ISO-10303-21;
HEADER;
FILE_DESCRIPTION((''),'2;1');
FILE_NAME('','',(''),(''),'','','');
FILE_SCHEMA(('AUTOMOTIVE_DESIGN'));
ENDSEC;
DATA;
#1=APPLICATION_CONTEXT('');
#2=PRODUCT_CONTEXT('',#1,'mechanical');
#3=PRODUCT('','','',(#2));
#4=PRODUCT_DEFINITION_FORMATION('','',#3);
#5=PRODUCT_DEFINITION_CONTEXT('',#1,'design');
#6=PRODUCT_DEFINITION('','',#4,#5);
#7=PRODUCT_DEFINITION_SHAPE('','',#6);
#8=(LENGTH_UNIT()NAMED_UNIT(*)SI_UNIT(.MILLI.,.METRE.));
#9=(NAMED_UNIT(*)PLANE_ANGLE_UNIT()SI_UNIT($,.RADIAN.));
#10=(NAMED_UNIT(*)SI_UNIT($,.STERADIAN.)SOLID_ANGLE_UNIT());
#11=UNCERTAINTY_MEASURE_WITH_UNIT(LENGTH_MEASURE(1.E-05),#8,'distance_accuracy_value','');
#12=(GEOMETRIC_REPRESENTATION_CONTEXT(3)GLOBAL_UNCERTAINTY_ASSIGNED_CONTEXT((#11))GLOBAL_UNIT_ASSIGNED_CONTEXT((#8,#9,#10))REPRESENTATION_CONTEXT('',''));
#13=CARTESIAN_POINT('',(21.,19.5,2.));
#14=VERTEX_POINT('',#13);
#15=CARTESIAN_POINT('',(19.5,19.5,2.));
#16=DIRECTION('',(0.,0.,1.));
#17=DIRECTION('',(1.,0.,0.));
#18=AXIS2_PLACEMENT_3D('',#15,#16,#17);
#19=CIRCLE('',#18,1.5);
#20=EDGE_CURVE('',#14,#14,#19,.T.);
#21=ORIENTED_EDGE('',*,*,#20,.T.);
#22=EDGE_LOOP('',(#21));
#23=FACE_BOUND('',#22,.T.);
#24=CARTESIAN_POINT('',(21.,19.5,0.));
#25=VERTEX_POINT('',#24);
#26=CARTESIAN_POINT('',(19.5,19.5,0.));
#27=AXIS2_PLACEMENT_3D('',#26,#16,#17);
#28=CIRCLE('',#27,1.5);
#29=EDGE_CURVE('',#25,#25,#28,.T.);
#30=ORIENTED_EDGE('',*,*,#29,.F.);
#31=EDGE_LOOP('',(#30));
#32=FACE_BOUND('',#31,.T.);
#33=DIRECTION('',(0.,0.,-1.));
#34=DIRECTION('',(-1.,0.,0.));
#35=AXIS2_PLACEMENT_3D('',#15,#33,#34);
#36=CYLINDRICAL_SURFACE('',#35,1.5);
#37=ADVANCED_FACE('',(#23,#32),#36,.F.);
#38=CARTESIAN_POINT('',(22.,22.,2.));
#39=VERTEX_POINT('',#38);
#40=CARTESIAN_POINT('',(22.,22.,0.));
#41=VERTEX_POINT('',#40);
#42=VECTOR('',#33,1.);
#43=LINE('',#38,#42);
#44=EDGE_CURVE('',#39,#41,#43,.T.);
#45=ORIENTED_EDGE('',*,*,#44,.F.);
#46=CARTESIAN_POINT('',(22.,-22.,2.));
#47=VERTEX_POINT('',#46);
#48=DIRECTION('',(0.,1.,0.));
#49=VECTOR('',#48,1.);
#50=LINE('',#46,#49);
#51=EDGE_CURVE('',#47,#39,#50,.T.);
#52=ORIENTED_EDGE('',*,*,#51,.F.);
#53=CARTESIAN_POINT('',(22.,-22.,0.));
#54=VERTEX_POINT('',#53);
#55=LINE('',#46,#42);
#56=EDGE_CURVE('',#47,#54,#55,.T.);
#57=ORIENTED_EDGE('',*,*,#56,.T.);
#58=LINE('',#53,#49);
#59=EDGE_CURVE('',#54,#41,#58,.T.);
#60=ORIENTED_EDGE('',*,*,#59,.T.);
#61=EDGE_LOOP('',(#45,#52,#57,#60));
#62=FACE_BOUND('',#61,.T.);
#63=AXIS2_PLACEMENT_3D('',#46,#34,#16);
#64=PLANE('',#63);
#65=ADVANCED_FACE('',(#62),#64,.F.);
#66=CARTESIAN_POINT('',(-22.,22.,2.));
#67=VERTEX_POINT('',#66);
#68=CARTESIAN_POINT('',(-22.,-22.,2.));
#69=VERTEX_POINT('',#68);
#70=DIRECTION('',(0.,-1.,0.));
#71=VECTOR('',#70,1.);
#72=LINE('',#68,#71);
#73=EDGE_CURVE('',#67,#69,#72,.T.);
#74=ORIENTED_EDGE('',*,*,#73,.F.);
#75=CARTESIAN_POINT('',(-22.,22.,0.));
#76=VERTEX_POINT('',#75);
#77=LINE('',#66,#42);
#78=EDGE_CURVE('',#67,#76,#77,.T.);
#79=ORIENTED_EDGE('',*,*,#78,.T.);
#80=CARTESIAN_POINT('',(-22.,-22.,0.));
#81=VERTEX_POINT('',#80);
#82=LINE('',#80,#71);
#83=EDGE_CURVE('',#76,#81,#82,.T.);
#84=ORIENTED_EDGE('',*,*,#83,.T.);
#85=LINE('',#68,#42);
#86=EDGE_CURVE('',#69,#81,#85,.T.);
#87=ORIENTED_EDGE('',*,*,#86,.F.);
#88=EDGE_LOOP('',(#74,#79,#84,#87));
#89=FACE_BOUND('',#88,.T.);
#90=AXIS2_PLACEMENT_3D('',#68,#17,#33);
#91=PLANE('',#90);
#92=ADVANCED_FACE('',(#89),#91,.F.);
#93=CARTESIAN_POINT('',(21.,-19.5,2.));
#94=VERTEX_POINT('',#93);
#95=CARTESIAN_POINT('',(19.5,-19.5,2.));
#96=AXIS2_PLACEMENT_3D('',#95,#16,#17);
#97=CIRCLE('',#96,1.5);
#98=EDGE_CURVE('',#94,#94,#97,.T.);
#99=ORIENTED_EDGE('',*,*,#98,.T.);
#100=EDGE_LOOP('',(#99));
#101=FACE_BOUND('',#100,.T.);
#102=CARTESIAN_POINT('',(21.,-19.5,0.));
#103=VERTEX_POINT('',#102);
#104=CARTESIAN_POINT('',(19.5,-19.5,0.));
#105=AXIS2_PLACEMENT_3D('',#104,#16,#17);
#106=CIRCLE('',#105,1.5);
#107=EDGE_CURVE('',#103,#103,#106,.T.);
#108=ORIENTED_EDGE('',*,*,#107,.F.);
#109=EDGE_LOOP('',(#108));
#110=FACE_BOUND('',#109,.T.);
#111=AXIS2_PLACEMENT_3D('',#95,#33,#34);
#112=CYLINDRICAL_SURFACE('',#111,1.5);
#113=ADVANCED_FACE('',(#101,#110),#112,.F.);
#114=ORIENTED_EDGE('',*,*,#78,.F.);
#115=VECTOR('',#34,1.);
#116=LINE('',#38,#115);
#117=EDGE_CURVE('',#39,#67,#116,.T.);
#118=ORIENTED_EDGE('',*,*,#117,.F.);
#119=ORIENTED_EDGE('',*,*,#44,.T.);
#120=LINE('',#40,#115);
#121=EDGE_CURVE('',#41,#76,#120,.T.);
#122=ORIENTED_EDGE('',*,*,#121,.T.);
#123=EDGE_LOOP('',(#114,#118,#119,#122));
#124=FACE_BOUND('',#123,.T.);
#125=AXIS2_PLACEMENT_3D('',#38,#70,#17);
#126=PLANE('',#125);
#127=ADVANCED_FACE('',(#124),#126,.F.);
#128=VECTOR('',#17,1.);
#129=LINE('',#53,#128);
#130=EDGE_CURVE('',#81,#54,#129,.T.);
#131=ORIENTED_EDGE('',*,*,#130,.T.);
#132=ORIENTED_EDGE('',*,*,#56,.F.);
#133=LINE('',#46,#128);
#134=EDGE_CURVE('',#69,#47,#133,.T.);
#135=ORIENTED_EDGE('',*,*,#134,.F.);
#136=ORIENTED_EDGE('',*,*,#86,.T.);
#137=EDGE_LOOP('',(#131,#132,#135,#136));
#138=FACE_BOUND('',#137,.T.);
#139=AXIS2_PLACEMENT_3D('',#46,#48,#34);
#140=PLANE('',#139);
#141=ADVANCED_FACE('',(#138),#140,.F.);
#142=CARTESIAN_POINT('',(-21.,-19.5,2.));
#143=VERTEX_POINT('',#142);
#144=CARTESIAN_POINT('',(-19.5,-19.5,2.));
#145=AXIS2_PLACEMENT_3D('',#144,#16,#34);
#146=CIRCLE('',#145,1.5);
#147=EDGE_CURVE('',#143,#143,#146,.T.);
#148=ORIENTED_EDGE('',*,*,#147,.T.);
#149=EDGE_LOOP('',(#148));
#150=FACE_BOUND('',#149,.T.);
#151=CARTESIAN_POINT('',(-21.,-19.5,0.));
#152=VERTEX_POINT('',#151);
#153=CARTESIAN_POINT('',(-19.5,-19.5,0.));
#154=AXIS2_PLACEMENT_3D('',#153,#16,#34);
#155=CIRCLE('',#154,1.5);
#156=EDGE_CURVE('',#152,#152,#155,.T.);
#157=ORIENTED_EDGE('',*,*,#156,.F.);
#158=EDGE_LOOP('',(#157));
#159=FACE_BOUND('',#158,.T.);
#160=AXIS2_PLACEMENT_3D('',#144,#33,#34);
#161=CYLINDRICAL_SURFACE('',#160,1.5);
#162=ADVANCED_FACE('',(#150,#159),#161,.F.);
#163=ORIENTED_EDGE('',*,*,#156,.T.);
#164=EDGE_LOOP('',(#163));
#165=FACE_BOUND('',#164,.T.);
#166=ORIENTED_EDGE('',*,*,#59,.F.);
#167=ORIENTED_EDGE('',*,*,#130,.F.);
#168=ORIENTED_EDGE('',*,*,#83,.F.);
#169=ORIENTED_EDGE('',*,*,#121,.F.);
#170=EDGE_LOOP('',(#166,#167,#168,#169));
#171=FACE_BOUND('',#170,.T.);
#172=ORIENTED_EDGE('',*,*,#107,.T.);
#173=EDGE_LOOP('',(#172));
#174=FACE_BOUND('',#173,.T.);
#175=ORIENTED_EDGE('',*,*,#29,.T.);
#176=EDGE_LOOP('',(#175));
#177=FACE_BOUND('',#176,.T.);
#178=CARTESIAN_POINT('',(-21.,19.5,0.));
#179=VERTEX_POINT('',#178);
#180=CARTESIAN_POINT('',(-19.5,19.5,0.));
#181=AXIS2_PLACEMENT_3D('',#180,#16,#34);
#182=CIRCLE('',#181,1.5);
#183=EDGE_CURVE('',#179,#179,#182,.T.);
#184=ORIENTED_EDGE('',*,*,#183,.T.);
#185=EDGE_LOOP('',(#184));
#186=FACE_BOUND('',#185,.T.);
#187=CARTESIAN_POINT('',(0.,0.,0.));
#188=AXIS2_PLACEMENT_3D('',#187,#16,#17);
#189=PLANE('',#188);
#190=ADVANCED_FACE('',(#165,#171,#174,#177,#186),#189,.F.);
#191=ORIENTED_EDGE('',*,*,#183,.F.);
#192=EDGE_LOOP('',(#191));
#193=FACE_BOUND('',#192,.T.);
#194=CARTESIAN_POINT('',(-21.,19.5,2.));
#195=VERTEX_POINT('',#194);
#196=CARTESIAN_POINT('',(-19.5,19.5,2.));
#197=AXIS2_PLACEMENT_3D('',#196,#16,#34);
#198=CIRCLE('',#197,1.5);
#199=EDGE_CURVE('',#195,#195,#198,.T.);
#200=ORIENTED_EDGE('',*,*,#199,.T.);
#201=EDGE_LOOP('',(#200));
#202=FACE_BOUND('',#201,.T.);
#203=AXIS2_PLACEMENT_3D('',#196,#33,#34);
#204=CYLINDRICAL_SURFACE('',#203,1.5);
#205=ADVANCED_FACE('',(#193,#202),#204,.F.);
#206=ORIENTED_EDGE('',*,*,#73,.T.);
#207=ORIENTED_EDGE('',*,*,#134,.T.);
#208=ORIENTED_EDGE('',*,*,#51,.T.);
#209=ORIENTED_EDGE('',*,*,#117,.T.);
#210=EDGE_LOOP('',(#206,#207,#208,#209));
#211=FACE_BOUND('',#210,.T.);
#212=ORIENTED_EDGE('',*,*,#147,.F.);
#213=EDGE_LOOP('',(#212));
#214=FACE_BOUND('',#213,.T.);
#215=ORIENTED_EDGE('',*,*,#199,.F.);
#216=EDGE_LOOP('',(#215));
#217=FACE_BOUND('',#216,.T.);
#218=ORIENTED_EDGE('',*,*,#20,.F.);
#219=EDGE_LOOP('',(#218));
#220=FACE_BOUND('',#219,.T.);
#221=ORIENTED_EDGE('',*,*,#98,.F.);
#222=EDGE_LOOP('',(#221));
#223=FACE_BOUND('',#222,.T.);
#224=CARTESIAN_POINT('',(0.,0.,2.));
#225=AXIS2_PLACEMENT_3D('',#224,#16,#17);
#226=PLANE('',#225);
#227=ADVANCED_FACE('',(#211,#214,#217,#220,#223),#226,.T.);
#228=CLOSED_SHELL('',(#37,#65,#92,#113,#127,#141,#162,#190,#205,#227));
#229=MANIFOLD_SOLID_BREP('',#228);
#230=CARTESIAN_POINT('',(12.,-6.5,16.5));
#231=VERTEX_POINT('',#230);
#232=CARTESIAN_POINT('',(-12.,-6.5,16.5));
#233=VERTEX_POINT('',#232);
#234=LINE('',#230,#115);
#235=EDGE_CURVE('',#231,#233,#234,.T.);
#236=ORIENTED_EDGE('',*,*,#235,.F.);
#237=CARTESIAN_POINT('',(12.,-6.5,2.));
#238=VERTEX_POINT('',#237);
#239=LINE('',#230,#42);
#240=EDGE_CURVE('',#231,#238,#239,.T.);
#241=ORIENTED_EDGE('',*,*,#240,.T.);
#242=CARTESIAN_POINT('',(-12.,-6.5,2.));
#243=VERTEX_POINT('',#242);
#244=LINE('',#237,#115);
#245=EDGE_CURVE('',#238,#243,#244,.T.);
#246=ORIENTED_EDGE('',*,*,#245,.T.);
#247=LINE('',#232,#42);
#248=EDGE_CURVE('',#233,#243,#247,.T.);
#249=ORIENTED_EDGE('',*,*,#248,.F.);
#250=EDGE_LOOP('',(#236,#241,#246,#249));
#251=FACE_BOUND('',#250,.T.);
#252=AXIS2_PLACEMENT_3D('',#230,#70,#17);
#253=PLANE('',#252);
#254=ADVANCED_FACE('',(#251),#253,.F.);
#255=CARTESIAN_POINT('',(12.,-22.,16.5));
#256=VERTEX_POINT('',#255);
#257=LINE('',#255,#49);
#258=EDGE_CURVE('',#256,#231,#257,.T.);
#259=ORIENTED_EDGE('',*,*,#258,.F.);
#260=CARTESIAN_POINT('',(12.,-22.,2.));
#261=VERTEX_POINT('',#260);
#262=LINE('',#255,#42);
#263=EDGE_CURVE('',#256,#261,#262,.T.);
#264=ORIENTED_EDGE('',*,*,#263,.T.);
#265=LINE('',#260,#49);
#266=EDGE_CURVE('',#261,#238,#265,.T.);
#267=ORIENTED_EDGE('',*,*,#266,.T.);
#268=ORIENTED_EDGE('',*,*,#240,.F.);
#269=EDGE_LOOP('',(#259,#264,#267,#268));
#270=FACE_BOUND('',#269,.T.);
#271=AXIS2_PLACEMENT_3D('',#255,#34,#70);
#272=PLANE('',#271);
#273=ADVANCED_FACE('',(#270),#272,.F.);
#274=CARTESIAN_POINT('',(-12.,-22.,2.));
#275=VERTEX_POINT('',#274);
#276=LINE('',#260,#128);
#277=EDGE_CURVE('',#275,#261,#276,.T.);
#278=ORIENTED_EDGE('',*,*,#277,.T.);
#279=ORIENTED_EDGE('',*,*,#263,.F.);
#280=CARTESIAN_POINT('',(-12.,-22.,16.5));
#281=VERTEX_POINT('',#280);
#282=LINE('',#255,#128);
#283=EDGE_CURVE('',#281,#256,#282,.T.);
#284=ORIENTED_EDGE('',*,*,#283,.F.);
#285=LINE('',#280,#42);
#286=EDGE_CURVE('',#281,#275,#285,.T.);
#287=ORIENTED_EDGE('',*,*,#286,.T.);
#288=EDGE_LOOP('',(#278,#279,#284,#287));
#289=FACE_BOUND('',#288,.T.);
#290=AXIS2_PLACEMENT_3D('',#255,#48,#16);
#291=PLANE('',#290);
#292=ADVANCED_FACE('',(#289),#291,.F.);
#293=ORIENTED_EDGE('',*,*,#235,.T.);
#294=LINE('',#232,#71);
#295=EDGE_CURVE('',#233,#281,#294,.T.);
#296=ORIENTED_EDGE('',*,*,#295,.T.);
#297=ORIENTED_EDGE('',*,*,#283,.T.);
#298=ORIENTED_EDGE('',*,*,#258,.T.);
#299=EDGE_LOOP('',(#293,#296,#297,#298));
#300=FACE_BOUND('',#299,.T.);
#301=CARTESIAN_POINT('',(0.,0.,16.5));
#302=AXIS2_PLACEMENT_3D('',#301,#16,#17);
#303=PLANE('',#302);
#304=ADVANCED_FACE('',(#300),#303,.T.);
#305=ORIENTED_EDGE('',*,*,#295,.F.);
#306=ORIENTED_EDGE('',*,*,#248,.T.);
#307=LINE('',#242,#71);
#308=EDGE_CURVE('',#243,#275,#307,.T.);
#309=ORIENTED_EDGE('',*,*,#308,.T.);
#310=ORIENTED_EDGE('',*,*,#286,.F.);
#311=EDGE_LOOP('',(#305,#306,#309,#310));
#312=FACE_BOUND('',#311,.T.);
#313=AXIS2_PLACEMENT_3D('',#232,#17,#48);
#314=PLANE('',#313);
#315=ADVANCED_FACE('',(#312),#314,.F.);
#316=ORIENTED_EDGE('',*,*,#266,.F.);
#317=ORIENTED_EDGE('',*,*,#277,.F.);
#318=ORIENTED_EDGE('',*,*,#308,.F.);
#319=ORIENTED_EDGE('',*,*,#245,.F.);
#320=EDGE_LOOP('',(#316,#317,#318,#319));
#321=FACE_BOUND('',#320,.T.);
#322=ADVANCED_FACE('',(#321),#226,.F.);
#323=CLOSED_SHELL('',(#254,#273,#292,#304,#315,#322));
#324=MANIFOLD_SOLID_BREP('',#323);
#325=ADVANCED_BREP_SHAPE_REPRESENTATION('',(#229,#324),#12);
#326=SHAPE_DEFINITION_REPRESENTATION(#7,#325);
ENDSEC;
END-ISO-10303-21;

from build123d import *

# Parameters (mm, degrees)
CROQUIS1_W              = 44
CROQUIS1_H              = 44
CROQUIS1_R              = 1.5
SALIENTE_EXTRUIR1_DEPTH = 2
CROQUIS2_W              = 24
CROQUIS2_H              = 15.5
SALIENTE_EXTRUIR2_DEPTH = 14.5


with BuildPart() as part:
    # Croquis1 → Saliente-Extruir1 (new body)
    with BuildSketch(Plane.XY):
        Rectangle(CROQUIS1_W, CROQUIS1_H)
        with Locations((19.5, 19.5)):
            Circle(CROQUIS1_R, mode=Mode.SUBTRACT)
        with Locations((19.5, -19.5)):
            Circle(CROQUIS1_R, mode=Mode.SUBTRACT)
        with Locations((-19.5, -19.5)):
            Circle(CROQUIS1_R, mode=Mode.SUBTRACT)
        with Locations((-19.5, 19.5)):
            Circle(CROQUIS1_R, mode=Mode.SUBTRACT)
    extrude(amount=SALIENTE_EXTRUIR1_DEPTH)


with BuildPart() as body_2:
    # Croquis2 → Saliente-Extruir2 (new body)
    with BuildSketch(Plane.XY.offset(2)):
        with Locations((0, -14.25)):
            Rectangle(CROQUIS2_W, CROQUIS2_H)
    extrude(amount=SALIENTE_EXTRUIR2_DEPTH)


solid = Compound([part.part, body_2.part])
